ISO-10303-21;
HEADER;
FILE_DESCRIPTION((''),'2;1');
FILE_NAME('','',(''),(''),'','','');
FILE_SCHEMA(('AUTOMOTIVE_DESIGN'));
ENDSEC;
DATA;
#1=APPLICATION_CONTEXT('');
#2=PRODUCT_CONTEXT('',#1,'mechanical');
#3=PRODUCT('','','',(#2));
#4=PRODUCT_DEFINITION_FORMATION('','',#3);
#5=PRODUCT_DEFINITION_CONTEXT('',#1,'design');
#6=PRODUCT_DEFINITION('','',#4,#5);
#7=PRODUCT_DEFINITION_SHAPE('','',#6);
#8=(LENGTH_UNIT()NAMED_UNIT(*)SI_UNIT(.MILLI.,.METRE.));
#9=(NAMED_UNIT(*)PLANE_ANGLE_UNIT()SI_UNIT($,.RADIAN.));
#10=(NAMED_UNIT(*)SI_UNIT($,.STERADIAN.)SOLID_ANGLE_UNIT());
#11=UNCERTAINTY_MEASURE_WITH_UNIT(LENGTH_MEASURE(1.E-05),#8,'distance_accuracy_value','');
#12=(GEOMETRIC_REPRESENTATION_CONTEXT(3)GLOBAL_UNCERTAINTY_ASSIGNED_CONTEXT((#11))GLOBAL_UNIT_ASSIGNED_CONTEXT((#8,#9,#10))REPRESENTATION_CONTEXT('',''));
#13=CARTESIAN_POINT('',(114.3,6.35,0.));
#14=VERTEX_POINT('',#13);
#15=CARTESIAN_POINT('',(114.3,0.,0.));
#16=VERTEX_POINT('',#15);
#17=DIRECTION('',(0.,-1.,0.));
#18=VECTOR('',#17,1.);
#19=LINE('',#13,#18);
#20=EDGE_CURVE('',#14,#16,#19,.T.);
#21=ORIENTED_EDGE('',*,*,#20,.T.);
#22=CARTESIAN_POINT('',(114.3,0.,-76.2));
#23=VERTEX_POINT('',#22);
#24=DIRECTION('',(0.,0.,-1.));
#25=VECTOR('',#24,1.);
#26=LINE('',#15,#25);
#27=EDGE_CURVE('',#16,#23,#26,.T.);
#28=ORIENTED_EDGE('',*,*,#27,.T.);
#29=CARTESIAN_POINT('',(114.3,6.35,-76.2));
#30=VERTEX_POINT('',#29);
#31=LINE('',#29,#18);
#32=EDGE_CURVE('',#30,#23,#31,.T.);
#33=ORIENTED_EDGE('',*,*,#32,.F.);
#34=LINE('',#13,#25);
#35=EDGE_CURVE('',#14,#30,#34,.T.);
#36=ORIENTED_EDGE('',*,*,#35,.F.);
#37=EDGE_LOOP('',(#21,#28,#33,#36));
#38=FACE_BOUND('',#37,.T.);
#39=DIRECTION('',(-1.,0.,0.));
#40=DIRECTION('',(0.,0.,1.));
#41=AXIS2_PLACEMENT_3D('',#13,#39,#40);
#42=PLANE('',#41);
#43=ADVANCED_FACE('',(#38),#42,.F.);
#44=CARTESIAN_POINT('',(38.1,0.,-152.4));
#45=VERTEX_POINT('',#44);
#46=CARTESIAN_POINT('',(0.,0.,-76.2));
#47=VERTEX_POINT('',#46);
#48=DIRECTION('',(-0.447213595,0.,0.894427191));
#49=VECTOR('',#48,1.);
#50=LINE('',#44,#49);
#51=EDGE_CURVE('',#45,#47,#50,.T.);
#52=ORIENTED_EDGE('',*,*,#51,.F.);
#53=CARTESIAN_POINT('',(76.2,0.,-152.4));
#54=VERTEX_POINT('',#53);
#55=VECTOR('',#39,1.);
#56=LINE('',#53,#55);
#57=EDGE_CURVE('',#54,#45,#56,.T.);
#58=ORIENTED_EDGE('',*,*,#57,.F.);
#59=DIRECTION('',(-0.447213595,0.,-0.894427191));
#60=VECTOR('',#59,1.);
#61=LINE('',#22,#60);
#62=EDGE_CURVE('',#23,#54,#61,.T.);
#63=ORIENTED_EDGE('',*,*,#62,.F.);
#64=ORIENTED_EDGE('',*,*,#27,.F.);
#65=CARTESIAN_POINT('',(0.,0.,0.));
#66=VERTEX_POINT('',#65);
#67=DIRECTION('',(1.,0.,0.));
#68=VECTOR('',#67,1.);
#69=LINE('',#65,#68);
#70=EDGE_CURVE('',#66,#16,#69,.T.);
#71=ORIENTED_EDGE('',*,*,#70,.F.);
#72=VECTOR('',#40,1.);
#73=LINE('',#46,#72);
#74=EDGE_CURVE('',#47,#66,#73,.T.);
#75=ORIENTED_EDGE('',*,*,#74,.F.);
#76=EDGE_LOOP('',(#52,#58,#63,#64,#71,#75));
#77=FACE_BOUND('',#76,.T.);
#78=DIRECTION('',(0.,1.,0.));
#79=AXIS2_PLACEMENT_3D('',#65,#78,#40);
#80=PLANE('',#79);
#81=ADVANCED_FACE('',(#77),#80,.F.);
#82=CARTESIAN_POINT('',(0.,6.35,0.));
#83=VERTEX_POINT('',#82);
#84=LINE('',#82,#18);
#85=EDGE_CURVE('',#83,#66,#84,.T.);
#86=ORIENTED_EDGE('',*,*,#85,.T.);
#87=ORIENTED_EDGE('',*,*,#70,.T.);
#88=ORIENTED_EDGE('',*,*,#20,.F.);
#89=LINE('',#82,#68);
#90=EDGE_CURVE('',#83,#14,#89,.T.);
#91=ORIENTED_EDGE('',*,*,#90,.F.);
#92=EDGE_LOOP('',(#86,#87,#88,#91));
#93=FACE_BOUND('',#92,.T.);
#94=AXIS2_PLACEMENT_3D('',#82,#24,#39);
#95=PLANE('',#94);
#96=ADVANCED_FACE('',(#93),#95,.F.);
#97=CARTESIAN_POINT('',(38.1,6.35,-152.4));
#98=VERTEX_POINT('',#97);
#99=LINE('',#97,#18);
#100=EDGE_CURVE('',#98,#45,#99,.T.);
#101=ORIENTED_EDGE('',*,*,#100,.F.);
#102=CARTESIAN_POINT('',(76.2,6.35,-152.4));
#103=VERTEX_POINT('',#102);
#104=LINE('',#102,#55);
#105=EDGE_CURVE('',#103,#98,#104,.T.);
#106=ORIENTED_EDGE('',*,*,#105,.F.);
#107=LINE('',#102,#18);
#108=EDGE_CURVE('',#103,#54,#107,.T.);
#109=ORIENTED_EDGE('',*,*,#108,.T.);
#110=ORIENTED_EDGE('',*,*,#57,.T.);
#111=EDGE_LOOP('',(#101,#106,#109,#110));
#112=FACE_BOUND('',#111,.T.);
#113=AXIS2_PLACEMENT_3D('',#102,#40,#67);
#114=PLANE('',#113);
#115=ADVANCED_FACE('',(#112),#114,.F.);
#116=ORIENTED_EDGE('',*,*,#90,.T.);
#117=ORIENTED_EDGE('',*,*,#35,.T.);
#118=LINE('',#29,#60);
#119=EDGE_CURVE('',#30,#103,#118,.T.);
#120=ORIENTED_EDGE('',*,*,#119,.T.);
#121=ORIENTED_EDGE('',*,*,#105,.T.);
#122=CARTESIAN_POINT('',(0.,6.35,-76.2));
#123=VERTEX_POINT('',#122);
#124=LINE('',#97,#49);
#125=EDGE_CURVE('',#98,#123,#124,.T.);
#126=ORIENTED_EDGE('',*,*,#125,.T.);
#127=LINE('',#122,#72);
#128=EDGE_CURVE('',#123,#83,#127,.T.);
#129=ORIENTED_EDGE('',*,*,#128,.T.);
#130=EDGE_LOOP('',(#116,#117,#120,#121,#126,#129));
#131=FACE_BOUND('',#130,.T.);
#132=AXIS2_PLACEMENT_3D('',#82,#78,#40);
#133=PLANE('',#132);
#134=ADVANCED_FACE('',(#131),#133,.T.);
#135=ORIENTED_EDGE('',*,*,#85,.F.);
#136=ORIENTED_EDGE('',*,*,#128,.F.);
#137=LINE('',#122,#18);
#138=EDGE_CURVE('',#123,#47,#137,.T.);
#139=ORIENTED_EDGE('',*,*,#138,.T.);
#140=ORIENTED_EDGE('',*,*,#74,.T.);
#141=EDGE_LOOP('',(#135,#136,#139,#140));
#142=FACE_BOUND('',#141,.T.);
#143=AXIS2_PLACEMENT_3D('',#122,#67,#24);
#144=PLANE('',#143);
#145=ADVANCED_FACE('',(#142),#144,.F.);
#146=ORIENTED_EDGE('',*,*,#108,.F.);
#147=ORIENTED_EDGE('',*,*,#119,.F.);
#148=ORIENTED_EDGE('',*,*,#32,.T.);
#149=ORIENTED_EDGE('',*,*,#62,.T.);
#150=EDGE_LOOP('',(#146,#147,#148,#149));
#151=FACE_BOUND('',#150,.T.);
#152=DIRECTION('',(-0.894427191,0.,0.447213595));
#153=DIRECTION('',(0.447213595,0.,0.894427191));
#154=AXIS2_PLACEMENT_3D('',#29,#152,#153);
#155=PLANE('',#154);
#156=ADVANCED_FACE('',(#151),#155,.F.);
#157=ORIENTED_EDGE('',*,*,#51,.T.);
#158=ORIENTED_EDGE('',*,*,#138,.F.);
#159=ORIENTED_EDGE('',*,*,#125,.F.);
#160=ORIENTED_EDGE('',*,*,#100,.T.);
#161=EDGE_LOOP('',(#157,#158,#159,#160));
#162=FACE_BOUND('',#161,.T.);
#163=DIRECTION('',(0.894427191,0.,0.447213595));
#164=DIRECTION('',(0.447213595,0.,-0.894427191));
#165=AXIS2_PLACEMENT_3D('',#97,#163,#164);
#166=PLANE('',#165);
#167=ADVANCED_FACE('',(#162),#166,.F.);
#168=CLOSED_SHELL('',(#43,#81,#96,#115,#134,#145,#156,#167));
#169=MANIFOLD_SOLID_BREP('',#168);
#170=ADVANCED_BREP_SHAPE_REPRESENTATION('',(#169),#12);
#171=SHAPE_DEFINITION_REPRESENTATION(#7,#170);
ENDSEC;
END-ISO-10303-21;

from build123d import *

# Parameters (mm, degrees)
EXTRUDE1_DEPTH = 6.35


with BuildPart() as part:
    # Sketch1 → Extrude1 (new body)
    with BuildSketch(Plane(origin=(0, 0, 0), x_dir=(1, 0, 0), z_dir=(0, 1, 0))):
        Polygon((0, 0), (114.3, 0), (114.3, 76.2), (76.2, 152.4), (38.1, 152.4), (0, 76.2), align=None)
    extrude(amount=EXTRUDE1_DEPTH)


solid = part.part
